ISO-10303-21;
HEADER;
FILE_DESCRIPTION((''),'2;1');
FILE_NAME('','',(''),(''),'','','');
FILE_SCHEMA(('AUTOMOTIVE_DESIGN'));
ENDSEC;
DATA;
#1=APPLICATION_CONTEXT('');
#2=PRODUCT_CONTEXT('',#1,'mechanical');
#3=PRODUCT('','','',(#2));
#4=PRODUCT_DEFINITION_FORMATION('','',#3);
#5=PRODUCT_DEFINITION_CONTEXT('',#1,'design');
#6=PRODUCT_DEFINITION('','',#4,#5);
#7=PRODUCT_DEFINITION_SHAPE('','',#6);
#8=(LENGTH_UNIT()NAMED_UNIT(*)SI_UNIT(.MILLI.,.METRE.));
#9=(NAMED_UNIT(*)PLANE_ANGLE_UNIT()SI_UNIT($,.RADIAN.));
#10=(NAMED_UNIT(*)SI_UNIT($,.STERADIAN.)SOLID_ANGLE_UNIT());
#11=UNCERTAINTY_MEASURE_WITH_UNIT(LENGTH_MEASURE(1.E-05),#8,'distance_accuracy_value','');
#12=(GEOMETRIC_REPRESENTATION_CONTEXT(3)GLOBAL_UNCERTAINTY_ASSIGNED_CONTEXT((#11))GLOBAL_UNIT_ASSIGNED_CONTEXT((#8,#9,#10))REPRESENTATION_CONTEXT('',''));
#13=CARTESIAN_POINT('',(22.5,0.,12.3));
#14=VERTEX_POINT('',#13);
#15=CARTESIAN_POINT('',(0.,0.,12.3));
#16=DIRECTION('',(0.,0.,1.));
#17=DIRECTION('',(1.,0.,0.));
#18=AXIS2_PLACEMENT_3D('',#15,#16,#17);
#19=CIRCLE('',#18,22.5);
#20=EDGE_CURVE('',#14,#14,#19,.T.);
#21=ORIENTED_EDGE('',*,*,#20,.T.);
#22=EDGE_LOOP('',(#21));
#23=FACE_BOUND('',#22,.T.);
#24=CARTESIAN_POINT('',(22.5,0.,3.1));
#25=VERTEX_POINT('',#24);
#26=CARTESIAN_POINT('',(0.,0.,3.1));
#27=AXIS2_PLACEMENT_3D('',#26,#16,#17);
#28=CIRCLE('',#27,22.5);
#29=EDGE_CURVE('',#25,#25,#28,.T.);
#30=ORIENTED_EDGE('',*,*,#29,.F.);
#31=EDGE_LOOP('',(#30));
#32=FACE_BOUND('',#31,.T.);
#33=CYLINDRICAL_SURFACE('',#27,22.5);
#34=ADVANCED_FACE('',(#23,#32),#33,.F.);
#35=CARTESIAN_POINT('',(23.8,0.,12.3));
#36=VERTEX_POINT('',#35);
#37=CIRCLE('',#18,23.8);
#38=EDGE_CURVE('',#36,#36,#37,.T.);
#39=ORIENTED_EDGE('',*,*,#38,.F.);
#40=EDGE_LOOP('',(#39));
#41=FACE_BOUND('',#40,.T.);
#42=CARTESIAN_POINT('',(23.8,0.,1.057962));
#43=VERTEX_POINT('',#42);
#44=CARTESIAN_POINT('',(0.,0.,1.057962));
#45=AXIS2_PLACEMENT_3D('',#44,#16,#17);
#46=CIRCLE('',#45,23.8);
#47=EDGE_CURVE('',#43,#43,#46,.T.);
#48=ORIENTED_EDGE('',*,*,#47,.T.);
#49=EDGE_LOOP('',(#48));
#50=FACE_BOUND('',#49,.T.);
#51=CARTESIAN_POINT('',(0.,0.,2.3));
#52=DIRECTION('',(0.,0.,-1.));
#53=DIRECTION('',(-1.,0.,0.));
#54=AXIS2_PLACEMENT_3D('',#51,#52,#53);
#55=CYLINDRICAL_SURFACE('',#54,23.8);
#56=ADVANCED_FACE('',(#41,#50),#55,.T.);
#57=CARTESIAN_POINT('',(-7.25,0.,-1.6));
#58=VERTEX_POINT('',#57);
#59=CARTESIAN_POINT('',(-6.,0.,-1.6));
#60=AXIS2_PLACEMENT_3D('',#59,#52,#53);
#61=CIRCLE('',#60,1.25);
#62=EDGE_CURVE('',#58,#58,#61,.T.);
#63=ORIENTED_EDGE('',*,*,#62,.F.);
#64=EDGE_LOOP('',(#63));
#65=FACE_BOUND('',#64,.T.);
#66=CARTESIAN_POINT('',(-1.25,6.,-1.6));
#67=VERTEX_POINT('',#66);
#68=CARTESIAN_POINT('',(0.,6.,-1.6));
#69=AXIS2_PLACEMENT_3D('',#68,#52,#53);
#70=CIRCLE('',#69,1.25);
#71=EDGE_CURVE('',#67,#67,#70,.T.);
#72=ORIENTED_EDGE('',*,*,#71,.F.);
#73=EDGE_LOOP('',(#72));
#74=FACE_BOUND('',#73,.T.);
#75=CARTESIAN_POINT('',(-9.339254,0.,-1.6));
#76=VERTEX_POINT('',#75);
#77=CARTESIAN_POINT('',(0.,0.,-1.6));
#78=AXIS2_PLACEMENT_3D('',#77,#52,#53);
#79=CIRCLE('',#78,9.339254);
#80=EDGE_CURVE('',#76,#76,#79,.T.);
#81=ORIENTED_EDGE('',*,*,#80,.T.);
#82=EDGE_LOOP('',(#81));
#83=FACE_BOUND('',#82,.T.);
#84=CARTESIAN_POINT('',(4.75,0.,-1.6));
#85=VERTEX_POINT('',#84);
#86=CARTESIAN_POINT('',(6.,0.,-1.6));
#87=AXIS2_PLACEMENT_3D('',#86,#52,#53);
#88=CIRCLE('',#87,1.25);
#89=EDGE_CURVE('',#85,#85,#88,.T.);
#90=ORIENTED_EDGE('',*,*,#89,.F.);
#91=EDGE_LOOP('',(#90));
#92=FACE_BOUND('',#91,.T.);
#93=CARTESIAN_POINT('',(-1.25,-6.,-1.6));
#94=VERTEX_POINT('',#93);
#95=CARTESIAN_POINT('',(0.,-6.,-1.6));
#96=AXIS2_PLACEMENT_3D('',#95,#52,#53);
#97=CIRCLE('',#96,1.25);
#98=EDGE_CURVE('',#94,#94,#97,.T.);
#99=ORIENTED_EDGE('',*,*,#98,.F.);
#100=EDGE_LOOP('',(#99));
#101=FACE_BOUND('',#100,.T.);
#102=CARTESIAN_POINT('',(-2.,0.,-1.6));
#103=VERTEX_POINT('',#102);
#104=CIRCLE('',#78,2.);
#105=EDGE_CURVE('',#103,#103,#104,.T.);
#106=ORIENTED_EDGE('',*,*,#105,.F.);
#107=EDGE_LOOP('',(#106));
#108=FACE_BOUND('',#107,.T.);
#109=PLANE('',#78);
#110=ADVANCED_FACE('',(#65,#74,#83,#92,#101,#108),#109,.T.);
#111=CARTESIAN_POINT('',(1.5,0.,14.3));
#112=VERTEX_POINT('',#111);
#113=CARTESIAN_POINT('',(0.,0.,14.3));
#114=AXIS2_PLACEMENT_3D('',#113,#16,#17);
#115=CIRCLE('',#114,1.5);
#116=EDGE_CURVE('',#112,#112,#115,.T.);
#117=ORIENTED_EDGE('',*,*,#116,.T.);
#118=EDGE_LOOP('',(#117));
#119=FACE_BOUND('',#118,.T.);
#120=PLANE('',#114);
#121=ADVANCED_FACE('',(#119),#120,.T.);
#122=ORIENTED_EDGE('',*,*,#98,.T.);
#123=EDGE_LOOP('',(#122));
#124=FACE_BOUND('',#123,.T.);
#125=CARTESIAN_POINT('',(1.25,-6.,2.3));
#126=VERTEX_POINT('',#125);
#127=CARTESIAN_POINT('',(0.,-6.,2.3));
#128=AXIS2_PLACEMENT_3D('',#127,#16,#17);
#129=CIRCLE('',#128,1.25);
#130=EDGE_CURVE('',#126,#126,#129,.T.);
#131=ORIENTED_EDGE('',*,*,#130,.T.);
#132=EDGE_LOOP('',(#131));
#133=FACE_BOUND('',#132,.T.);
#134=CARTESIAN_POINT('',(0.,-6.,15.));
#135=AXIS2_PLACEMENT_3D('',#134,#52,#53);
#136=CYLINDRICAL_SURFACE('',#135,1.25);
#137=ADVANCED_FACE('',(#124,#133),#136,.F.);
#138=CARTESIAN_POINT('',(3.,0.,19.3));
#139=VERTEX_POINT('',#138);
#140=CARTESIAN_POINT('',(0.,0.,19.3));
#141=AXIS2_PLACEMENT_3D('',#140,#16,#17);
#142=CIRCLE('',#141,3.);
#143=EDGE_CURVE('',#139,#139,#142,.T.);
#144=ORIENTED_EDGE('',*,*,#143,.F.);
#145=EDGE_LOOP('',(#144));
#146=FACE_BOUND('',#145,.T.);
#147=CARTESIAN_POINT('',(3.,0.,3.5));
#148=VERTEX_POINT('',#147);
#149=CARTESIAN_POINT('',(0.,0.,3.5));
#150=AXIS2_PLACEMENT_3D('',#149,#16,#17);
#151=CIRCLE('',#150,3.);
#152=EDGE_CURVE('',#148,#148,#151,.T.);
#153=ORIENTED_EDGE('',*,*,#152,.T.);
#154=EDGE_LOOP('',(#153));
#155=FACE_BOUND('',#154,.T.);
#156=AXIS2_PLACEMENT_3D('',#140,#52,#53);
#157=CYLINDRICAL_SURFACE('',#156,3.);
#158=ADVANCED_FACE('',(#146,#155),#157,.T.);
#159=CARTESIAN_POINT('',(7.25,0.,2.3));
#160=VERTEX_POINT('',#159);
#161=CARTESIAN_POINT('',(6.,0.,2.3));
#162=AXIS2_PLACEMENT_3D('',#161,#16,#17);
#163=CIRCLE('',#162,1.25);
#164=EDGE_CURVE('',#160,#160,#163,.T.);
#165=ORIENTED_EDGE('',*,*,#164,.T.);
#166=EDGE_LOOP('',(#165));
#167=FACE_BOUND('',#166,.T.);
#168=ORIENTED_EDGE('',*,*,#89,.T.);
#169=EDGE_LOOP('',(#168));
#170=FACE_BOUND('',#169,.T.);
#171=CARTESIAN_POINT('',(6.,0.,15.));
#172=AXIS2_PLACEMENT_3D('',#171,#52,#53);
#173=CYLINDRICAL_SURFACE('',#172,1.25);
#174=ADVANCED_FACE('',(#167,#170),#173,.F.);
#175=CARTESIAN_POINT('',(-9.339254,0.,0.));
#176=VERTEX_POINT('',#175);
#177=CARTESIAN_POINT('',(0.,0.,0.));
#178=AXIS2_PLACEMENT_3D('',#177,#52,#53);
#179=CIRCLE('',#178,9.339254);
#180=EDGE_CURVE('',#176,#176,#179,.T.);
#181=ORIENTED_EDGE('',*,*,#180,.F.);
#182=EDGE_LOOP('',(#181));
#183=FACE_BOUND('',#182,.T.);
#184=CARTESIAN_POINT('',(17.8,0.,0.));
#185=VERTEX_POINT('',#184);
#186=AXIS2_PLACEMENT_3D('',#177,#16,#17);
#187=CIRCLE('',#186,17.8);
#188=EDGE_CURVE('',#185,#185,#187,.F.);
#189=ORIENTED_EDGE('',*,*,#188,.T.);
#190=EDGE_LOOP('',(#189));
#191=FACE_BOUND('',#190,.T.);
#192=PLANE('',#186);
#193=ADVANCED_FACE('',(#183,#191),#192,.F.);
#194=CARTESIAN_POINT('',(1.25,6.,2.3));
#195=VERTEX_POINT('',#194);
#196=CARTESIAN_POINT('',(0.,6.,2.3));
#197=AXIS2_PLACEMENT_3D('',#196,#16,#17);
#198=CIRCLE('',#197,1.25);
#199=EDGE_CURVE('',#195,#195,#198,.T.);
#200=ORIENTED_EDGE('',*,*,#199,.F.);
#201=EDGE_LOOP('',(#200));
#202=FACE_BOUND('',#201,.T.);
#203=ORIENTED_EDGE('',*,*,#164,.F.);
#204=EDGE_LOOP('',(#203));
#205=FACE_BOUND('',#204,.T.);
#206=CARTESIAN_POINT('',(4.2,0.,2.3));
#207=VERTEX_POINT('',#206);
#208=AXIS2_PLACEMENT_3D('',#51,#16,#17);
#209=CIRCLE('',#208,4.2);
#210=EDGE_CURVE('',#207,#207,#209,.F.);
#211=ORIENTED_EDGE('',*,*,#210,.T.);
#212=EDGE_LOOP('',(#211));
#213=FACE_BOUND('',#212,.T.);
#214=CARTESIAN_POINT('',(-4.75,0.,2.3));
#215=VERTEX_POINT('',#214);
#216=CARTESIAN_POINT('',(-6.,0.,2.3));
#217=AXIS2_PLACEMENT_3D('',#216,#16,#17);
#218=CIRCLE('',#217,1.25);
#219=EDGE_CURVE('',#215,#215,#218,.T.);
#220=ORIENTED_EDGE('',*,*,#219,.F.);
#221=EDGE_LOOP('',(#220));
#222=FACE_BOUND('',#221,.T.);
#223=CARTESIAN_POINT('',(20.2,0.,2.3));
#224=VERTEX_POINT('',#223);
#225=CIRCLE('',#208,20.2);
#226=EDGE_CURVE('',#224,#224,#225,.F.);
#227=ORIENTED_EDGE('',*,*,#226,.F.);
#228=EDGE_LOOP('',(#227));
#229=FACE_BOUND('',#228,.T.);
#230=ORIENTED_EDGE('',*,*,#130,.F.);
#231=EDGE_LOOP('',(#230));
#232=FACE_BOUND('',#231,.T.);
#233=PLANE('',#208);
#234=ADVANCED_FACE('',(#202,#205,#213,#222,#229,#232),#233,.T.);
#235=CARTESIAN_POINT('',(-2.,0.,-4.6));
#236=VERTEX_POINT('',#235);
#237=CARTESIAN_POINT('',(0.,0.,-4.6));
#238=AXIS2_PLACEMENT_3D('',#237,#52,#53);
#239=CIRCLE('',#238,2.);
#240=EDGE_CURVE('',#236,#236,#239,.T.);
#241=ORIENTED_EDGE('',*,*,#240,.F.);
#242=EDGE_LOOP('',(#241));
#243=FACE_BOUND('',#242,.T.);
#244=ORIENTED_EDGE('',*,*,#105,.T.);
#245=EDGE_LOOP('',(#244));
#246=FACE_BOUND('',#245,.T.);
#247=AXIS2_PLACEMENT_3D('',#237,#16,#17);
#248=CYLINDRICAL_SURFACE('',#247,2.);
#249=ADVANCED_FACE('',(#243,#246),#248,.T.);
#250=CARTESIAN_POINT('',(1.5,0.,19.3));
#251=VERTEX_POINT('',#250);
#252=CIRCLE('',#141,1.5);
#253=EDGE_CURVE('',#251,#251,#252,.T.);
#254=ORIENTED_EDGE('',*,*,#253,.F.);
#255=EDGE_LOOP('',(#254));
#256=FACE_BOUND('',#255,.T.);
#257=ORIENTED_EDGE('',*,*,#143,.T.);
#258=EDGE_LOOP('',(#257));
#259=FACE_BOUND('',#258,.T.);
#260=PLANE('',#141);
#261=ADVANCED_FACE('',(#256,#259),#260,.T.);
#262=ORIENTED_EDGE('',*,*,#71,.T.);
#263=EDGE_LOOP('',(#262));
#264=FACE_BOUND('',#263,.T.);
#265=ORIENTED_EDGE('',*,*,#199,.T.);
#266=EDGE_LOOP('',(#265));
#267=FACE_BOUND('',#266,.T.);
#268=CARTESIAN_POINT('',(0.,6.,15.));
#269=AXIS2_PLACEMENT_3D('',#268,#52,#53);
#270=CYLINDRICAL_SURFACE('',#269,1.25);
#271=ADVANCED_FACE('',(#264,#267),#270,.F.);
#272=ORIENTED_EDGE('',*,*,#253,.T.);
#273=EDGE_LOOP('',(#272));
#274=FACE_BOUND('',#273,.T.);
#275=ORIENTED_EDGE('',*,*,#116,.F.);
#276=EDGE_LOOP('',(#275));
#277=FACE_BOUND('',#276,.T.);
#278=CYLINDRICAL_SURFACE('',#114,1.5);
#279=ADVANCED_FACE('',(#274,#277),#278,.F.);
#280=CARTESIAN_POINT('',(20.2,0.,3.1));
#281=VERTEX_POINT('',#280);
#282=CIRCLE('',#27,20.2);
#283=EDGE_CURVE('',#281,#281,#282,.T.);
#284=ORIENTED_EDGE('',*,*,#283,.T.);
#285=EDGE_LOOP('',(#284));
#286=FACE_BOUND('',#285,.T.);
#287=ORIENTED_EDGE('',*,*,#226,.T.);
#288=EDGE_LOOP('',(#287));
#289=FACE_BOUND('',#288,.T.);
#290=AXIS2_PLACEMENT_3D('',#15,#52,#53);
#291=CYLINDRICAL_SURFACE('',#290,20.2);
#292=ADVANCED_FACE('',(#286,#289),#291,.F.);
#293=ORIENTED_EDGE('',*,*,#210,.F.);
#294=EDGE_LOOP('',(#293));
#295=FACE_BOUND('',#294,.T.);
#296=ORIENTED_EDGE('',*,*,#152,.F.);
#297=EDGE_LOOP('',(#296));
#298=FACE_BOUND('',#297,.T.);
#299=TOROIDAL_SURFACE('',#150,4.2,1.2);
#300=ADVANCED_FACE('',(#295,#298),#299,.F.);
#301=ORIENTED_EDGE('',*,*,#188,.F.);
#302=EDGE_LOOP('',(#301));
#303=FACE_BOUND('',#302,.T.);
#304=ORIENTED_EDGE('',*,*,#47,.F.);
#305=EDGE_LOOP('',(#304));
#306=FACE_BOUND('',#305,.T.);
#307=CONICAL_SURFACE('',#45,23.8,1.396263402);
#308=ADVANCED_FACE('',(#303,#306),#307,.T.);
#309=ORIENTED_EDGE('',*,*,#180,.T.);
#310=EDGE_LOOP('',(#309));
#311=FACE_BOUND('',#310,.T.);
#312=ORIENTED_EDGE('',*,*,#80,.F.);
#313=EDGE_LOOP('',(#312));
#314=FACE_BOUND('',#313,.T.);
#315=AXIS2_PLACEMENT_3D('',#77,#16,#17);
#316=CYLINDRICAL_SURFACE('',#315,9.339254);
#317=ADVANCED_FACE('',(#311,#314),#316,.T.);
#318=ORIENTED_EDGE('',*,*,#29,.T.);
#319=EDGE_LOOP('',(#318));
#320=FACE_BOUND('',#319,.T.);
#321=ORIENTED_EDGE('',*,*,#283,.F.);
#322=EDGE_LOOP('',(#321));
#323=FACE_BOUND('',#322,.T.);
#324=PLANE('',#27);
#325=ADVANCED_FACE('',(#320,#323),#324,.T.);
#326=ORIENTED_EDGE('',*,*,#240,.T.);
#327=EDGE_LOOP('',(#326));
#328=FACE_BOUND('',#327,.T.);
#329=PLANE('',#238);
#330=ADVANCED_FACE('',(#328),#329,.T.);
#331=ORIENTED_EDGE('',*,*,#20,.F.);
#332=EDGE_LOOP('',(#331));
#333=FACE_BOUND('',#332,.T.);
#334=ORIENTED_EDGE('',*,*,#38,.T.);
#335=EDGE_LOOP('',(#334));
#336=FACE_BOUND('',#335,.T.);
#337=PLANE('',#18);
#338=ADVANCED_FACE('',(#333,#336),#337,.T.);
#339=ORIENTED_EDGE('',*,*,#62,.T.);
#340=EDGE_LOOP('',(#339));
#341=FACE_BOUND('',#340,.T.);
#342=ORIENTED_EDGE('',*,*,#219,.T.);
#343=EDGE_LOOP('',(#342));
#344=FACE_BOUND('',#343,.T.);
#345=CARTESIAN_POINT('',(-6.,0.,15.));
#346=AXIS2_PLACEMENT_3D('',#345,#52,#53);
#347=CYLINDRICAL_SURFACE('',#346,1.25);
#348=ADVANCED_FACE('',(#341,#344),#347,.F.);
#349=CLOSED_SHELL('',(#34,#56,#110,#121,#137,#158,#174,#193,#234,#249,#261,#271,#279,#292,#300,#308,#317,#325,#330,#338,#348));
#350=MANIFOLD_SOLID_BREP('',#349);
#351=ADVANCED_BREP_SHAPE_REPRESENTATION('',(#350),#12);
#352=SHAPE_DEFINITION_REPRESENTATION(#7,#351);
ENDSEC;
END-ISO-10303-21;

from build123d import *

# Parameters (mm, degrees)
SKETCH1_R               = 23.8
BOSS_EXTRUDE1_DEPTH     = 2.3
SKETCH2_R               = 23.8
SKETCH2_R_2             = 20.2
BOSS_EXTRUDE2_DEPTH     = 10
SKETCH3_R               = 3
BOSS_EXTRUDE3_DEPTH     = 17
CHAMFER1_SIZE           = 6
CHAMFER1_SIZE2          = 1.057961884
SKETCH4_R               = 1.25
CUT_EXTRUDE1_DEPTH      = 15
CUT_EXTRUDE3_START      = -9.2
SKETCH6_R               = 22.5
SKETCH6_R_2             = 20.2
CUT_EXTRUDE3_DEPTH      = 9.2
SKETCH7_R               = 1.5
CUT_EXTRUDE4_DEPTH      = 5
REDONDEO1_R             = 1.2
SALIENTE_EXTRUIR1_START = 1.6
CROQUIS1_R              = 9.339254136
CROQUIS1_R_2            = 1.25
SALIENTE_EXTRUIR1_DEPTH = 1.6
CROQUIS2_R              = 2
SALIENTE_EXTRUIR2_DEPTH = 3


with BuildPart() as part:
    # Sketch1 → Boss-Extrude1 (new body)
    with BuildSketch(Plane.XY):
        Circle(SKETCH1_R)
    extrude(amount=BOSS_EXTRUDE1_DEPTH)

    # Sketch2 → Boss-Extrude2 (add)
    with BuildSketch(Plane.XY.offset(2.3)):
        Circle(SKETCH2_R)
        Circle(SKETCH2_R_2, mode=Mode.SUBTRACT)
    extrude(amount=BOSS_EXTRUDE2_DEPTH)

    # Sketch3 → Boss-Extrude3 (add)
    with BuildSketch(Plane.XY.offset(2.3)):
        Circle(SKETCH3_R)
    extrude(amount=BOSS_EXTRUDE3_DEPTH)

    # Chamfer1
    chamfer1_edges = [part.edges().sort_by_distance(p)[0] for p in [
        (-23.8, 0, 0),
    ]]
    chamfer1_side = [part.faces().sort_by_distance(p)[0] for p in [
        (0, 0, 0),
    ]]
    chamfer(chamfer1_edges, length=CHAMFER1_SIZE, length2=CHAMFER1_SIZE2, reference=chamfer1_side[0])

    # Sketch4 → Cut-Extrude1 (cut)
    with BuildSketch(Plane(origin=(0, 0, 0), x_dir=(-1, 0, 0), z_dir=(0, 0, -1))):
        with Locations((6, 0)):
            Circle(SKETCH4_R)
        with Locations((0, -6)):
            Circle(SKETCH4_R)
        with Locations((-6, 0)):
            Circle(SKETCH4_R)
        with Locations((0, 6)):
            Circle(SKETCH4_R)
    extrude(amount=-CUT_EXTRUDE1_DEPTH, mode=Mode.SUBTRACT)

    # Sketch6 → Cut-Extrude3 (cut)
    with BuildSketch(Plane.XY.offset(12.3).offset(CUT_EXTRUDE3_START)):
        Circle(SKETCH6_R)
        Circle(SKETCH6_R_2, mode=Mode.SUBTRACT)
    extrude(amount=CUT_EXTRUDE3_DEPTH, mode=Mode.SUBTRACT)

    # Sketch7 → Cut-Extrude4 (cut)
    with BuildSketch(Plane.XY.offset(19.3)):
        Circle(SKETCH7_R)
    extrude(amount=-CUT_EXTRUDE4_DEPTH, mode=Mode.SUBTRACT)

    # Redondeo1
    redondeo1_edges = [part.edges().sort_by_distance(p)[0] for p in [
        (-3, 0, 2.3),
    ]]
    fillet(redondeo1_edges, radius=REDONDEO1_R)

    # Croquis1 → Saliente-Extruir1 (add)
    with BuildSketch(Plane(origin=(0, 0, 0), x_dir=(-1, 0, 0), z_dir=(0, 0, -1)).offset(SALIENTE_EXTRUIR1_START)):
        Circle(CROQUIS1_R)
        with Locations((0, 6)):
            Circle(CROQUIS1_R_2, mode=Mode.SUBTRACT)
        with Locations((6, 0)):
            Circle(CROQUIS1_R_2, mode=Mode.SUBTRACT)
        with Locations((0, -6)):
            Circle(CROQUIS1_R_2, mode=Mode.SUBTRACT)
        with Locations((-6, 0)):
            Circle(CROQUIS1_R_2, mode=Mode.SUBTRACT)
    extrude(amount=-SALIENTE_EXTRUIR1_DEPTH)

    # Croquis2 → Saliente-Extruir2 (add)
    with BuildSketch(Plane(origin=(0, 0, -1.6), x_dir=(-1, 0, 0), z_dir=(0, 0, -1))):
        Circle(CROQUIS2_R)
    extrude(amount=SALIENTE_EXTRUIR2_DEPTH)


solid = part.part
